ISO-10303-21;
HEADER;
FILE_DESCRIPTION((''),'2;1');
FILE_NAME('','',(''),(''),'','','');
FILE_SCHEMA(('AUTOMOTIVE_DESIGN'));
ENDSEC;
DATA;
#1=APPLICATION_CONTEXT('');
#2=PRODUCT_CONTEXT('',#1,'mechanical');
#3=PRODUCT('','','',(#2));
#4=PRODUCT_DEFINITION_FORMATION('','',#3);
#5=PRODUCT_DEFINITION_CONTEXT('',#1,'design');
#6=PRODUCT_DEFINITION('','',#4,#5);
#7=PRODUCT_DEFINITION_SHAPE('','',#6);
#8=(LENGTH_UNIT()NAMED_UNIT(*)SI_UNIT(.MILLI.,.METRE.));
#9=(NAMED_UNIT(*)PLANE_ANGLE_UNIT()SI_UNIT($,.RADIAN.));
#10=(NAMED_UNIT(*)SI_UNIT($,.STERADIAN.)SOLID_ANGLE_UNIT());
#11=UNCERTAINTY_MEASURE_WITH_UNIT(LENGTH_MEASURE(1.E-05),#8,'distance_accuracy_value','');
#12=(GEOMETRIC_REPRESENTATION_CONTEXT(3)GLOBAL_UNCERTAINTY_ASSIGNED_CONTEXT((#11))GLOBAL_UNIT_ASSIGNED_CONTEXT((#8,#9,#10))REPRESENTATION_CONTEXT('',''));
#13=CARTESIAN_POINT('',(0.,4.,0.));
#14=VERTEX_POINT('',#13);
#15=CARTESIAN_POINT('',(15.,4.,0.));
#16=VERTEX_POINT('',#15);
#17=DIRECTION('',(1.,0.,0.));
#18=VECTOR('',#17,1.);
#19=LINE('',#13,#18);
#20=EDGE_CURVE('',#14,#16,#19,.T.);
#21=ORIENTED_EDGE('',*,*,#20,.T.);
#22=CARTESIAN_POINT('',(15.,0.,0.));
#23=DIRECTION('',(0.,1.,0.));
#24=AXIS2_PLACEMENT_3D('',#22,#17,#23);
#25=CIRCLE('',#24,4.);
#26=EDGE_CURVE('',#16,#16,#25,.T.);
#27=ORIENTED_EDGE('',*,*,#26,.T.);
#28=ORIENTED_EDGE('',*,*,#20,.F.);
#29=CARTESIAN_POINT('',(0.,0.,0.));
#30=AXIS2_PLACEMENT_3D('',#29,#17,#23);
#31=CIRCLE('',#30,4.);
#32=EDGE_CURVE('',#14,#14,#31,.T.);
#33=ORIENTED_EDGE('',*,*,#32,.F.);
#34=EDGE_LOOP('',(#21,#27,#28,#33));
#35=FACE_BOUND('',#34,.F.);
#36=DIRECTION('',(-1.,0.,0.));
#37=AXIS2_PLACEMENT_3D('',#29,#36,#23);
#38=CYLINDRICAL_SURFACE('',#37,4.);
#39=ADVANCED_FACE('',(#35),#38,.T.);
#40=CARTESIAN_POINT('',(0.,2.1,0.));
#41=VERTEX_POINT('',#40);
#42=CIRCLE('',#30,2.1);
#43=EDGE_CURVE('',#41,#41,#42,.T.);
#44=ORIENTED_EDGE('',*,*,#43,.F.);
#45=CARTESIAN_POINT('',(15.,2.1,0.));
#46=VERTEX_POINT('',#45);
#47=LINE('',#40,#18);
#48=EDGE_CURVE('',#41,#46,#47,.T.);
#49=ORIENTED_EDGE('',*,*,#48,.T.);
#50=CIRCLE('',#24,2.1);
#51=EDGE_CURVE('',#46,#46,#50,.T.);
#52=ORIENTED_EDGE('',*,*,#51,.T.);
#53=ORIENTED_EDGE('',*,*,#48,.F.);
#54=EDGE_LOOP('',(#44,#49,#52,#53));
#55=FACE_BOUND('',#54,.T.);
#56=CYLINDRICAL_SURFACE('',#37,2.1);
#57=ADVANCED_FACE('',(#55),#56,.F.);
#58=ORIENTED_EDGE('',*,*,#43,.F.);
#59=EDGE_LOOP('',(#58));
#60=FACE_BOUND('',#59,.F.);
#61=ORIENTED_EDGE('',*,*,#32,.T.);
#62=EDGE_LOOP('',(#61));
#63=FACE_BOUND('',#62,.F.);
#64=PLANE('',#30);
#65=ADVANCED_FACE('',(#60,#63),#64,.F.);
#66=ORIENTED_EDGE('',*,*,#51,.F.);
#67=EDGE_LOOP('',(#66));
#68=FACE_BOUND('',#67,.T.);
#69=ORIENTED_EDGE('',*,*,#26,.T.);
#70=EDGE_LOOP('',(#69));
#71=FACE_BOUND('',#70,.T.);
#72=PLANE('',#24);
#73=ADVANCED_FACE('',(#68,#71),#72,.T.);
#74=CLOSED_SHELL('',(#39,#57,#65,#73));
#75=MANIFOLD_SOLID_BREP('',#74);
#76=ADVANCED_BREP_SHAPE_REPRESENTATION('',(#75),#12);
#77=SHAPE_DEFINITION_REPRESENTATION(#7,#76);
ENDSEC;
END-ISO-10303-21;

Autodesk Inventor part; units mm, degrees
ref_plane "YZ Plane" through (0, 0, 0) normal (1, 0, 0) x (0, 1, 0)
ref_plane "XZ Plane" through (0, 0, 0) normal (0, 1, 0) x (-1, 0, 0)
ref_plane "XY Plane" through (0, 0, 0) normal (0, 0, 1) x (1, 0, 0)
sketch "スケッチ1" plane through (0, 0, 0) normal (1, 0, 0) x (0, 1, 0)
  circle A0 centre (0, 0) radius 4
  circle A1 centre (0, 0) radius 2.1
  dimension "d0" = 8
  dimension "d1" = 4.2
extrude "押し出し1" add sketch "スケッチ1" along normal blind 15
properties part number "odom_v1_shaft_3" material "アルミニウム 6061"
